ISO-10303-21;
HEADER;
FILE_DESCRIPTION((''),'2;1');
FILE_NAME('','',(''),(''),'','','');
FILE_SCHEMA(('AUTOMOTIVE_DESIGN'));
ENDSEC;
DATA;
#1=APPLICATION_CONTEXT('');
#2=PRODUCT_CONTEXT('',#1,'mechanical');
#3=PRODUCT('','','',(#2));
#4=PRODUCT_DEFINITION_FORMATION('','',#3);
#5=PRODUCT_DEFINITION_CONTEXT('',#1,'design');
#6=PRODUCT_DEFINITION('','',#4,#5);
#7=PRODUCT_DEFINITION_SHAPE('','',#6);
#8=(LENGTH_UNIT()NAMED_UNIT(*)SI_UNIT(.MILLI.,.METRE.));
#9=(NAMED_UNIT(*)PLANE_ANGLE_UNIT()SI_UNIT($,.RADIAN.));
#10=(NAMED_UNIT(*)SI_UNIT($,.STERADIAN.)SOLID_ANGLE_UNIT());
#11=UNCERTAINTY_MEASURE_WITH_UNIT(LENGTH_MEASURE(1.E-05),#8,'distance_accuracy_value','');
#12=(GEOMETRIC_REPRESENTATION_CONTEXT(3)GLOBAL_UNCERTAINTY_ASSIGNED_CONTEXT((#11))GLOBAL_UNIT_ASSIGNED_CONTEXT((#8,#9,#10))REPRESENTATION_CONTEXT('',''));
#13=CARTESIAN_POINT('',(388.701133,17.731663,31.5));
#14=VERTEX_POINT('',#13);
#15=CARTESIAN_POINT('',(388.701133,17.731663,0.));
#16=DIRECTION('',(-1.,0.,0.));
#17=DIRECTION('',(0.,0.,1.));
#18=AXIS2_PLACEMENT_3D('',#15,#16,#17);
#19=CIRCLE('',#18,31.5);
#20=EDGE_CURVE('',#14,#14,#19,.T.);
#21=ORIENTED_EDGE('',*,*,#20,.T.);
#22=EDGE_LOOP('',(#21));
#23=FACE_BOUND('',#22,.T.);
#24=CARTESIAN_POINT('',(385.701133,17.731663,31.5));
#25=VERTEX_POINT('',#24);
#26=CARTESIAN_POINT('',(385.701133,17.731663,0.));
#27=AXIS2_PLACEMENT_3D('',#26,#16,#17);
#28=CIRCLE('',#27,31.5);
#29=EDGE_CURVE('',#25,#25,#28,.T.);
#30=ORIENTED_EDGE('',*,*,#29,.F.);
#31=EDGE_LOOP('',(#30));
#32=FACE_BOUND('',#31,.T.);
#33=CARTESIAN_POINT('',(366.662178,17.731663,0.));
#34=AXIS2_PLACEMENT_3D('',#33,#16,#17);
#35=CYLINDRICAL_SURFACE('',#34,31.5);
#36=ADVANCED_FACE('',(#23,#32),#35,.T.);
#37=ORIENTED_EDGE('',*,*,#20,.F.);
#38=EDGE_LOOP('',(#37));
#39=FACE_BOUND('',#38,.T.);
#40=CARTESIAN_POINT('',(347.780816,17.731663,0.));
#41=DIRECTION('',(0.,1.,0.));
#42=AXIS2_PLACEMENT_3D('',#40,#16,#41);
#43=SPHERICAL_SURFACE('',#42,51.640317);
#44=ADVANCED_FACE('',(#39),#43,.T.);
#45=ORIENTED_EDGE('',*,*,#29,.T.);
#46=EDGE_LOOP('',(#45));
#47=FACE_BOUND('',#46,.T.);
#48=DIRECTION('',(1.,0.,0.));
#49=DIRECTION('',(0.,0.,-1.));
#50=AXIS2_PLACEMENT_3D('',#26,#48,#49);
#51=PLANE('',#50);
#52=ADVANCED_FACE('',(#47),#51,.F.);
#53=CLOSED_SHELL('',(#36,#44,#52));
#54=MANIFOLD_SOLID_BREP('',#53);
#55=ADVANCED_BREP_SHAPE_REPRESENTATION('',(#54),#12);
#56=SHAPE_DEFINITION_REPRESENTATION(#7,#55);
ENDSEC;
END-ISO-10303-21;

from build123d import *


with BuildPart() as part:
    # 草图1 → 旋转1 (revolve)
    with BuildSketch(Plane.XY):
        with BuildLine():
            Line((385.701133387, 17.731663399), (385.701133387, 49.231663399))
            Line((385.701133387, 49.231663399), (388.701133387, 49.231663399))
            ThreePointArc((388.701133387, 49.231663399), (396.667729163, 34.368733453), (399.421133387, 17.731663399))
            Line((399.421133387, 17.731663399), (385.701133387, 17.731663399))
        make_face()
    revolve(axis=Axis((366.662178325, 17.731663399, 0), (1, 0, 0)))


solid = part.part
